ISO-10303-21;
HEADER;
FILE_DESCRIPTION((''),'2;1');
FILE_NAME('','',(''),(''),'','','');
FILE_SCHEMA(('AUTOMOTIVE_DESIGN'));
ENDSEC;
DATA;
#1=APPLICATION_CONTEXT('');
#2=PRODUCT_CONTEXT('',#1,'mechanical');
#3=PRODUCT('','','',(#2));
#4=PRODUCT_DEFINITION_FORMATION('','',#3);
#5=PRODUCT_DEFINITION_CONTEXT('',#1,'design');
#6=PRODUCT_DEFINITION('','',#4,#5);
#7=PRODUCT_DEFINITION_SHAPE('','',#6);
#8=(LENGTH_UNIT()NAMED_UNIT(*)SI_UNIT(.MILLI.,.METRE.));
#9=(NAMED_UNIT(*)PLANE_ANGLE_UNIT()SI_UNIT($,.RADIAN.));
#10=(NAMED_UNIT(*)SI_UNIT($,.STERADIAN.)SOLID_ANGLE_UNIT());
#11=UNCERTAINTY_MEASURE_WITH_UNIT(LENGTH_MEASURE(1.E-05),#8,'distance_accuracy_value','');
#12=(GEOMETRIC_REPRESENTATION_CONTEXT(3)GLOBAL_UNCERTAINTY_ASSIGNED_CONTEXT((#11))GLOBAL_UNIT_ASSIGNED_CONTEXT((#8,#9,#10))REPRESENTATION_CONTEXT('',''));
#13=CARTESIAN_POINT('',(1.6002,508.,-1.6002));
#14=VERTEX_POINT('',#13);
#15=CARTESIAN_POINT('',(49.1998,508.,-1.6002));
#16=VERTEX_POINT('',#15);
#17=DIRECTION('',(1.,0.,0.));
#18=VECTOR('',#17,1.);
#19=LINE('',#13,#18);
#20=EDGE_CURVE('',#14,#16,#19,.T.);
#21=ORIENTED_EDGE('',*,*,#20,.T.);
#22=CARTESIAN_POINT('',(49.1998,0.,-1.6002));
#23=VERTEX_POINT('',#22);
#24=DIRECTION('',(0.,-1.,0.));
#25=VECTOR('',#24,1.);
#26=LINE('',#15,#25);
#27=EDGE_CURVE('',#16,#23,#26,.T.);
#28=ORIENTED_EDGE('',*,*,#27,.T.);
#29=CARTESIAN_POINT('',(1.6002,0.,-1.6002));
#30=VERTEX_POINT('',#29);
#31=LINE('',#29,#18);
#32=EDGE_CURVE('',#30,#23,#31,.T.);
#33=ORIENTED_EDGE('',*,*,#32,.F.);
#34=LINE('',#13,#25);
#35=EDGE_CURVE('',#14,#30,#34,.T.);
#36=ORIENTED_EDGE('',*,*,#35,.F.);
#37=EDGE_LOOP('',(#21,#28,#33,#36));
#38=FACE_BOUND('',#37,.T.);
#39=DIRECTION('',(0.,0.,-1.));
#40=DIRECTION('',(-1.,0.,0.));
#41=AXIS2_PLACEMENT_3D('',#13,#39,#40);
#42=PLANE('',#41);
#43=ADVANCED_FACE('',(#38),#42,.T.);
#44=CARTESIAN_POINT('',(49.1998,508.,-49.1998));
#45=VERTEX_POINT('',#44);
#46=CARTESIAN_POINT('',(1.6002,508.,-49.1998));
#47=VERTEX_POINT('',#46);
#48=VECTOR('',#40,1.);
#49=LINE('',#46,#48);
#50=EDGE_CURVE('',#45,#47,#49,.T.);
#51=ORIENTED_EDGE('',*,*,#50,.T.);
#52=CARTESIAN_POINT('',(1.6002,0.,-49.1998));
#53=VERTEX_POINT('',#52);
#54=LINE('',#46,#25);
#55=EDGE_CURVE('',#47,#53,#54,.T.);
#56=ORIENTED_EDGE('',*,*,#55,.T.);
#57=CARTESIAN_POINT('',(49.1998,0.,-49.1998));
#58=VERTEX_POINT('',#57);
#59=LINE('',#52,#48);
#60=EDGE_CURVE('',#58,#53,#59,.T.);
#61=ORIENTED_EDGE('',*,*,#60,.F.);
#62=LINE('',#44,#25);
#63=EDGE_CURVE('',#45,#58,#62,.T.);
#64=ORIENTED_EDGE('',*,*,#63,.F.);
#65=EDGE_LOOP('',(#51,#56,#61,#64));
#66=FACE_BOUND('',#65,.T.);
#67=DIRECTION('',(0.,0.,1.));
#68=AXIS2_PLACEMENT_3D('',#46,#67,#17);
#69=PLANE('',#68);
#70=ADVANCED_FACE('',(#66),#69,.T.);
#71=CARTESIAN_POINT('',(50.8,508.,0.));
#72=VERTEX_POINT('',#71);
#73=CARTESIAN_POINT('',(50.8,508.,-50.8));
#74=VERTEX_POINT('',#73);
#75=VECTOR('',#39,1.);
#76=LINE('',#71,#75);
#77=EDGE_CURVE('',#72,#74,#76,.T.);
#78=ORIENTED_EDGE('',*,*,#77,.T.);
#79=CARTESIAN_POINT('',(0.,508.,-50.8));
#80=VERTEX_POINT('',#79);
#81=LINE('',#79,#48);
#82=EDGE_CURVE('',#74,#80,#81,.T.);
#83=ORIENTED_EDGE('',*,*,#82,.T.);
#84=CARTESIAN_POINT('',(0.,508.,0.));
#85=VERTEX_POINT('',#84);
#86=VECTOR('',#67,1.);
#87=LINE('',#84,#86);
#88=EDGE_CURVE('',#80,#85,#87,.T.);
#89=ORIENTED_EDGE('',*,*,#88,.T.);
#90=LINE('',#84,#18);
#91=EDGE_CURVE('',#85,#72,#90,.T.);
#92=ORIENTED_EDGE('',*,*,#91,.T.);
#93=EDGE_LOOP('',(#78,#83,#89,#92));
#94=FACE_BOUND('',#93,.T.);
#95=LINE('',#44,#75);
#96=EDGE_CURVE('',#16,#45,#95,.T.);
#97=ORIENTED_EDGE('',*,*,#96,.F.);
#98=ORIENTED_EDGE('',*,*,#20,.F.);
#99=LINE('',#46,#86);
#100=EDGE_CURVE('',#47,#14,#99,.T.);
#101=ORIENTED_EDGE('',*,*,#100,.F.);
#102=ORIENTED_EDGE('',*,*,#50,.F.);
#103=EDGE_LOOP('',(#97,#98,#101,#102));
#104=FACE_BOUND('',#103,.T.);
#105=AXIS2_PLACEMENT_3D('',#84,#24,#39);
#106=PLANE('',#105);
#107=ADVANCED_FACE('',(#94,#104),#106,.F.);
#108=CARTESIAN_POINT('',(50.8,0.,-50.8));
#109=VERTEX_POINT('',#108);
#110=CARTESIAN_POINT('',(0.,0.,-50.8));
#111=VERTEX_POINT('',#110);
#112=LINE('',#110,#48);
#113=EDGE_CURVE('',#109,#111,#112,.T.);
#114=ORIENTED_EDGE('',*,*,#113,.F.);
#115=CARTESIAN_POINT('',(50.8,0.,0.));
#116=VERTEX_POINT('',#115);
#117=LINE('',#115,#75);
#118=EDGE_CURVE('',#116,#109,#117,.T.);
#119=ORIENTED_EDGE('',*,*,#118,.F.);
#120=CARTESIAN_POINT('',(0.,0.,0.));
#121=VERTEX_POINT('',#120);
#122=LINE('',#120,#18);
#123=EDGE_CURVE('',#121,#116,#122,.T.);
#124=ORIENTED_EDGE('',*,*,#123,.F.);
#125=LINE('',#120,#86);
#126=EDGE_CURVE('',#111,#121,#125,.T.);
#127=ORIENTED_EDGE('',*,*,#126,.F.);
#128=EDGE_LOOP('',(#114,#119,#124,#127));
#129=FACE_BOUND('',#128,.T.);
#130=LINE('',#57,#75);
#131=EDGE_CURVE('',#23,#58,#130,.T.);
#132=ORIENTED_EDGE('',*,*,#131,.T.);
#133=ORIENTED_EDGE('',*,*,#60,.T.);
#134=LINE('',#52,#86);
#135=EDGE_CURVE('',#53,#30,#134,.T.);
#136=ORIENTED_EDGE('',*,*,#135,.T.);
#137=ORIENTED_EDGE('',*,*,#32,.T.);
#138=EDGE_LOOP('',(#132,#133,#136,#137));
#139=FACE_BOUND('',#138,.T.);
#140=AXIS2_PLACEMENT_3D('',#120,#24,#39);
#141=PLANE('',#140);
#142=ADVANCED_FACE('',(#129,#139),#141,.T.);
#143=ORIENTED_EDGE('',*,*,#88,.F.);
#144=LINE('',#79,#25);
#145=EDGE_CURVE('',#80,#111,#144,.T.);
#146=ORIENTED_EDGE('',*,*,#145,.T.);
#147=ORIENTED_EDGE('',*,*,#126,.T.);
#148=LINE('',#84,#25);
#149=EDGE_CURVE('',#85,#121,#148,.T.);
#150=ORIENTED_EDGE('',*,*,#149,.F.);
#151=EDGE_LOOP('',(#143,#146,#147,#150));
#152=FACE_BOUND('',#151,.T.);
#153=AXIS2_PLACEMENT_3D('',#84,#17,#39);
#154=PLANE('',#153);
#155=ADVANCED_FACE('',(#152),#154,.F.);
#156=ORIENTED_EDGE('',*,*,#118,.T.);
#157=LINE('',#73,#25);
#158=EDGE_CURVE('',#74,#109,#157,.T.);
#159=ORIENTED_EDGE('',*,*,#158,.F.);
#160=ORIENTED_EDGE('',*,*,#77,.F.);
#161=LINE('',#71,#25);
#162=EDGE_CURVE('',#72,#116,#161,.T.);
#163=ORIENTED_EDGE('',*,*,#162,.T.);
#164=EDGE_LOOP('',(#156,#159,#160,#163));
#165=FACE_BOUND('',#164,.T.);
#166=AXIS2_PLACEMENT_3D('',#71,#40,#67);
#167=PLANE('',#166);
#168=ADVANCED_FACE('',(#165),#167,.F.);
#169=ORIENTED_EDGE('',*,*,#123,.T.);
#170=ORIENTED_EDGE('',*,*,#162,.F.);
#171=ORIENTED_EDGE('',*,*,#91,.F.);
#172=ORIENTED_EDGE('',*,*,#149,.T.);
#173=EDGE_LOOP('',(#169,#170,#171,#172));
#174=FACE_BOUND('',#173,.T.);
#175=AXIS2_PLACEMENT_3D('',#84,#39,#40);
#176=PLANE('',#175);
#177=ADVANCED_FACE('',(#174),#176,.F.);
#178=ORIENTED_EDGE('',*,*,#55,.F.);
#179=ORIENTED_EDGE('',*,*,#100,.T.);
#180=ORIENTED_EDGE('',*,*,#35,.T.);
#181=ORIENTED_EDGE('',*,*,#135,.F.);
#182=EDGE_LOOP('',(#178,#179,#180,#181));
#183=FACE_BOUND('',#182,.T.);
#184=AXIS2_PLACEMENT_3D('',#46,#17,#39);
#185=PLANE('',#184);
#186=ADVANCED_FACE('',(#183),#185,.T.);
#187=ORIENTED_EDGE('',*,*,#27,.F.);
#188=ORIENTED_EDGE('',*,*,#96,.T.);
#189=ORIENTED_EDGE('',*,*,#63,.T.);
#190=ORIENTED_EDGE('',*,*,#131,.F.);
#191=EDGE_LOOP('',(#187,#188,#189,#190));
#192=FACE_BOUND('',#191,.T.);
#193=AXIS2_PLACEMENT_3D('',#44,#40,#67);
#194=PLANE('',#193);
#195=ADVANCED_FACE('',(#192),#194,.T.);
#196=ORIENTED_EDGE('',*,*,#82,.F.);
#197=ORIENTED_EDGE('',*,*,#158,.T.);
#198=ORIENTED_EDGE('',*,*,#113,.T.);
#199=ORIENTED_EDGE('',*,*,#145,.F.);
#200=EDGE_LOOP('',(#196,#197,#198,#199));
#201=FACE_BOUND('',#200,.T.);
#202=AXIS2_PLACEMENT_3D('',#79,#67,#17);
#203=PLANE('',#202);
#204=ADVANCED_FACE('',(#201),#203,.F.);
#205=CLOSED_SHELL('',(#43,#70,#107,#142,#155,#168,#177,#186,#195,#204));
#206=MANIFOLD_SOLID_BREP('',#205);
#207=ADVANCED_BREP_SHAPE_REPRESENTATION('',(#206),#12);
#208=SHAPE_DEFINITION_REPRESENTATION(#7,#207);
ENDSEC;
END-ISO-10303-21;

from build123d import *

# Parameters (mm, degrees)
SKETCH1_W           = 50.8
SKETCH1_H           = 50.8
SKETCH1_W_2         = 47.5996
SKETCH1_H_2         = 47.5996
BOSS_EXTRUDE1_DEPTH = 508


with BuildPart() as part:
    # Sketch1 → Boss-Extrude1 (new body)
    with BuildSketch(Plane(origin=(0, 0, 0), x_dir=(1, 0, 0), z_dir=(0, 1, 0))):
        with Locations((25.4, 25.4)):
            Rectangle(SKETCH1_W, SKETCH1_H)
        with Locations((25.4, 25.4)):
            Rectangle(SKETCH1_W_2, SKETCH1_H_2, mode=Mode.SUBTRACT)
    extrude(amount=BOSS_EXTRUDE1_DEPTH)


solid = part.part
